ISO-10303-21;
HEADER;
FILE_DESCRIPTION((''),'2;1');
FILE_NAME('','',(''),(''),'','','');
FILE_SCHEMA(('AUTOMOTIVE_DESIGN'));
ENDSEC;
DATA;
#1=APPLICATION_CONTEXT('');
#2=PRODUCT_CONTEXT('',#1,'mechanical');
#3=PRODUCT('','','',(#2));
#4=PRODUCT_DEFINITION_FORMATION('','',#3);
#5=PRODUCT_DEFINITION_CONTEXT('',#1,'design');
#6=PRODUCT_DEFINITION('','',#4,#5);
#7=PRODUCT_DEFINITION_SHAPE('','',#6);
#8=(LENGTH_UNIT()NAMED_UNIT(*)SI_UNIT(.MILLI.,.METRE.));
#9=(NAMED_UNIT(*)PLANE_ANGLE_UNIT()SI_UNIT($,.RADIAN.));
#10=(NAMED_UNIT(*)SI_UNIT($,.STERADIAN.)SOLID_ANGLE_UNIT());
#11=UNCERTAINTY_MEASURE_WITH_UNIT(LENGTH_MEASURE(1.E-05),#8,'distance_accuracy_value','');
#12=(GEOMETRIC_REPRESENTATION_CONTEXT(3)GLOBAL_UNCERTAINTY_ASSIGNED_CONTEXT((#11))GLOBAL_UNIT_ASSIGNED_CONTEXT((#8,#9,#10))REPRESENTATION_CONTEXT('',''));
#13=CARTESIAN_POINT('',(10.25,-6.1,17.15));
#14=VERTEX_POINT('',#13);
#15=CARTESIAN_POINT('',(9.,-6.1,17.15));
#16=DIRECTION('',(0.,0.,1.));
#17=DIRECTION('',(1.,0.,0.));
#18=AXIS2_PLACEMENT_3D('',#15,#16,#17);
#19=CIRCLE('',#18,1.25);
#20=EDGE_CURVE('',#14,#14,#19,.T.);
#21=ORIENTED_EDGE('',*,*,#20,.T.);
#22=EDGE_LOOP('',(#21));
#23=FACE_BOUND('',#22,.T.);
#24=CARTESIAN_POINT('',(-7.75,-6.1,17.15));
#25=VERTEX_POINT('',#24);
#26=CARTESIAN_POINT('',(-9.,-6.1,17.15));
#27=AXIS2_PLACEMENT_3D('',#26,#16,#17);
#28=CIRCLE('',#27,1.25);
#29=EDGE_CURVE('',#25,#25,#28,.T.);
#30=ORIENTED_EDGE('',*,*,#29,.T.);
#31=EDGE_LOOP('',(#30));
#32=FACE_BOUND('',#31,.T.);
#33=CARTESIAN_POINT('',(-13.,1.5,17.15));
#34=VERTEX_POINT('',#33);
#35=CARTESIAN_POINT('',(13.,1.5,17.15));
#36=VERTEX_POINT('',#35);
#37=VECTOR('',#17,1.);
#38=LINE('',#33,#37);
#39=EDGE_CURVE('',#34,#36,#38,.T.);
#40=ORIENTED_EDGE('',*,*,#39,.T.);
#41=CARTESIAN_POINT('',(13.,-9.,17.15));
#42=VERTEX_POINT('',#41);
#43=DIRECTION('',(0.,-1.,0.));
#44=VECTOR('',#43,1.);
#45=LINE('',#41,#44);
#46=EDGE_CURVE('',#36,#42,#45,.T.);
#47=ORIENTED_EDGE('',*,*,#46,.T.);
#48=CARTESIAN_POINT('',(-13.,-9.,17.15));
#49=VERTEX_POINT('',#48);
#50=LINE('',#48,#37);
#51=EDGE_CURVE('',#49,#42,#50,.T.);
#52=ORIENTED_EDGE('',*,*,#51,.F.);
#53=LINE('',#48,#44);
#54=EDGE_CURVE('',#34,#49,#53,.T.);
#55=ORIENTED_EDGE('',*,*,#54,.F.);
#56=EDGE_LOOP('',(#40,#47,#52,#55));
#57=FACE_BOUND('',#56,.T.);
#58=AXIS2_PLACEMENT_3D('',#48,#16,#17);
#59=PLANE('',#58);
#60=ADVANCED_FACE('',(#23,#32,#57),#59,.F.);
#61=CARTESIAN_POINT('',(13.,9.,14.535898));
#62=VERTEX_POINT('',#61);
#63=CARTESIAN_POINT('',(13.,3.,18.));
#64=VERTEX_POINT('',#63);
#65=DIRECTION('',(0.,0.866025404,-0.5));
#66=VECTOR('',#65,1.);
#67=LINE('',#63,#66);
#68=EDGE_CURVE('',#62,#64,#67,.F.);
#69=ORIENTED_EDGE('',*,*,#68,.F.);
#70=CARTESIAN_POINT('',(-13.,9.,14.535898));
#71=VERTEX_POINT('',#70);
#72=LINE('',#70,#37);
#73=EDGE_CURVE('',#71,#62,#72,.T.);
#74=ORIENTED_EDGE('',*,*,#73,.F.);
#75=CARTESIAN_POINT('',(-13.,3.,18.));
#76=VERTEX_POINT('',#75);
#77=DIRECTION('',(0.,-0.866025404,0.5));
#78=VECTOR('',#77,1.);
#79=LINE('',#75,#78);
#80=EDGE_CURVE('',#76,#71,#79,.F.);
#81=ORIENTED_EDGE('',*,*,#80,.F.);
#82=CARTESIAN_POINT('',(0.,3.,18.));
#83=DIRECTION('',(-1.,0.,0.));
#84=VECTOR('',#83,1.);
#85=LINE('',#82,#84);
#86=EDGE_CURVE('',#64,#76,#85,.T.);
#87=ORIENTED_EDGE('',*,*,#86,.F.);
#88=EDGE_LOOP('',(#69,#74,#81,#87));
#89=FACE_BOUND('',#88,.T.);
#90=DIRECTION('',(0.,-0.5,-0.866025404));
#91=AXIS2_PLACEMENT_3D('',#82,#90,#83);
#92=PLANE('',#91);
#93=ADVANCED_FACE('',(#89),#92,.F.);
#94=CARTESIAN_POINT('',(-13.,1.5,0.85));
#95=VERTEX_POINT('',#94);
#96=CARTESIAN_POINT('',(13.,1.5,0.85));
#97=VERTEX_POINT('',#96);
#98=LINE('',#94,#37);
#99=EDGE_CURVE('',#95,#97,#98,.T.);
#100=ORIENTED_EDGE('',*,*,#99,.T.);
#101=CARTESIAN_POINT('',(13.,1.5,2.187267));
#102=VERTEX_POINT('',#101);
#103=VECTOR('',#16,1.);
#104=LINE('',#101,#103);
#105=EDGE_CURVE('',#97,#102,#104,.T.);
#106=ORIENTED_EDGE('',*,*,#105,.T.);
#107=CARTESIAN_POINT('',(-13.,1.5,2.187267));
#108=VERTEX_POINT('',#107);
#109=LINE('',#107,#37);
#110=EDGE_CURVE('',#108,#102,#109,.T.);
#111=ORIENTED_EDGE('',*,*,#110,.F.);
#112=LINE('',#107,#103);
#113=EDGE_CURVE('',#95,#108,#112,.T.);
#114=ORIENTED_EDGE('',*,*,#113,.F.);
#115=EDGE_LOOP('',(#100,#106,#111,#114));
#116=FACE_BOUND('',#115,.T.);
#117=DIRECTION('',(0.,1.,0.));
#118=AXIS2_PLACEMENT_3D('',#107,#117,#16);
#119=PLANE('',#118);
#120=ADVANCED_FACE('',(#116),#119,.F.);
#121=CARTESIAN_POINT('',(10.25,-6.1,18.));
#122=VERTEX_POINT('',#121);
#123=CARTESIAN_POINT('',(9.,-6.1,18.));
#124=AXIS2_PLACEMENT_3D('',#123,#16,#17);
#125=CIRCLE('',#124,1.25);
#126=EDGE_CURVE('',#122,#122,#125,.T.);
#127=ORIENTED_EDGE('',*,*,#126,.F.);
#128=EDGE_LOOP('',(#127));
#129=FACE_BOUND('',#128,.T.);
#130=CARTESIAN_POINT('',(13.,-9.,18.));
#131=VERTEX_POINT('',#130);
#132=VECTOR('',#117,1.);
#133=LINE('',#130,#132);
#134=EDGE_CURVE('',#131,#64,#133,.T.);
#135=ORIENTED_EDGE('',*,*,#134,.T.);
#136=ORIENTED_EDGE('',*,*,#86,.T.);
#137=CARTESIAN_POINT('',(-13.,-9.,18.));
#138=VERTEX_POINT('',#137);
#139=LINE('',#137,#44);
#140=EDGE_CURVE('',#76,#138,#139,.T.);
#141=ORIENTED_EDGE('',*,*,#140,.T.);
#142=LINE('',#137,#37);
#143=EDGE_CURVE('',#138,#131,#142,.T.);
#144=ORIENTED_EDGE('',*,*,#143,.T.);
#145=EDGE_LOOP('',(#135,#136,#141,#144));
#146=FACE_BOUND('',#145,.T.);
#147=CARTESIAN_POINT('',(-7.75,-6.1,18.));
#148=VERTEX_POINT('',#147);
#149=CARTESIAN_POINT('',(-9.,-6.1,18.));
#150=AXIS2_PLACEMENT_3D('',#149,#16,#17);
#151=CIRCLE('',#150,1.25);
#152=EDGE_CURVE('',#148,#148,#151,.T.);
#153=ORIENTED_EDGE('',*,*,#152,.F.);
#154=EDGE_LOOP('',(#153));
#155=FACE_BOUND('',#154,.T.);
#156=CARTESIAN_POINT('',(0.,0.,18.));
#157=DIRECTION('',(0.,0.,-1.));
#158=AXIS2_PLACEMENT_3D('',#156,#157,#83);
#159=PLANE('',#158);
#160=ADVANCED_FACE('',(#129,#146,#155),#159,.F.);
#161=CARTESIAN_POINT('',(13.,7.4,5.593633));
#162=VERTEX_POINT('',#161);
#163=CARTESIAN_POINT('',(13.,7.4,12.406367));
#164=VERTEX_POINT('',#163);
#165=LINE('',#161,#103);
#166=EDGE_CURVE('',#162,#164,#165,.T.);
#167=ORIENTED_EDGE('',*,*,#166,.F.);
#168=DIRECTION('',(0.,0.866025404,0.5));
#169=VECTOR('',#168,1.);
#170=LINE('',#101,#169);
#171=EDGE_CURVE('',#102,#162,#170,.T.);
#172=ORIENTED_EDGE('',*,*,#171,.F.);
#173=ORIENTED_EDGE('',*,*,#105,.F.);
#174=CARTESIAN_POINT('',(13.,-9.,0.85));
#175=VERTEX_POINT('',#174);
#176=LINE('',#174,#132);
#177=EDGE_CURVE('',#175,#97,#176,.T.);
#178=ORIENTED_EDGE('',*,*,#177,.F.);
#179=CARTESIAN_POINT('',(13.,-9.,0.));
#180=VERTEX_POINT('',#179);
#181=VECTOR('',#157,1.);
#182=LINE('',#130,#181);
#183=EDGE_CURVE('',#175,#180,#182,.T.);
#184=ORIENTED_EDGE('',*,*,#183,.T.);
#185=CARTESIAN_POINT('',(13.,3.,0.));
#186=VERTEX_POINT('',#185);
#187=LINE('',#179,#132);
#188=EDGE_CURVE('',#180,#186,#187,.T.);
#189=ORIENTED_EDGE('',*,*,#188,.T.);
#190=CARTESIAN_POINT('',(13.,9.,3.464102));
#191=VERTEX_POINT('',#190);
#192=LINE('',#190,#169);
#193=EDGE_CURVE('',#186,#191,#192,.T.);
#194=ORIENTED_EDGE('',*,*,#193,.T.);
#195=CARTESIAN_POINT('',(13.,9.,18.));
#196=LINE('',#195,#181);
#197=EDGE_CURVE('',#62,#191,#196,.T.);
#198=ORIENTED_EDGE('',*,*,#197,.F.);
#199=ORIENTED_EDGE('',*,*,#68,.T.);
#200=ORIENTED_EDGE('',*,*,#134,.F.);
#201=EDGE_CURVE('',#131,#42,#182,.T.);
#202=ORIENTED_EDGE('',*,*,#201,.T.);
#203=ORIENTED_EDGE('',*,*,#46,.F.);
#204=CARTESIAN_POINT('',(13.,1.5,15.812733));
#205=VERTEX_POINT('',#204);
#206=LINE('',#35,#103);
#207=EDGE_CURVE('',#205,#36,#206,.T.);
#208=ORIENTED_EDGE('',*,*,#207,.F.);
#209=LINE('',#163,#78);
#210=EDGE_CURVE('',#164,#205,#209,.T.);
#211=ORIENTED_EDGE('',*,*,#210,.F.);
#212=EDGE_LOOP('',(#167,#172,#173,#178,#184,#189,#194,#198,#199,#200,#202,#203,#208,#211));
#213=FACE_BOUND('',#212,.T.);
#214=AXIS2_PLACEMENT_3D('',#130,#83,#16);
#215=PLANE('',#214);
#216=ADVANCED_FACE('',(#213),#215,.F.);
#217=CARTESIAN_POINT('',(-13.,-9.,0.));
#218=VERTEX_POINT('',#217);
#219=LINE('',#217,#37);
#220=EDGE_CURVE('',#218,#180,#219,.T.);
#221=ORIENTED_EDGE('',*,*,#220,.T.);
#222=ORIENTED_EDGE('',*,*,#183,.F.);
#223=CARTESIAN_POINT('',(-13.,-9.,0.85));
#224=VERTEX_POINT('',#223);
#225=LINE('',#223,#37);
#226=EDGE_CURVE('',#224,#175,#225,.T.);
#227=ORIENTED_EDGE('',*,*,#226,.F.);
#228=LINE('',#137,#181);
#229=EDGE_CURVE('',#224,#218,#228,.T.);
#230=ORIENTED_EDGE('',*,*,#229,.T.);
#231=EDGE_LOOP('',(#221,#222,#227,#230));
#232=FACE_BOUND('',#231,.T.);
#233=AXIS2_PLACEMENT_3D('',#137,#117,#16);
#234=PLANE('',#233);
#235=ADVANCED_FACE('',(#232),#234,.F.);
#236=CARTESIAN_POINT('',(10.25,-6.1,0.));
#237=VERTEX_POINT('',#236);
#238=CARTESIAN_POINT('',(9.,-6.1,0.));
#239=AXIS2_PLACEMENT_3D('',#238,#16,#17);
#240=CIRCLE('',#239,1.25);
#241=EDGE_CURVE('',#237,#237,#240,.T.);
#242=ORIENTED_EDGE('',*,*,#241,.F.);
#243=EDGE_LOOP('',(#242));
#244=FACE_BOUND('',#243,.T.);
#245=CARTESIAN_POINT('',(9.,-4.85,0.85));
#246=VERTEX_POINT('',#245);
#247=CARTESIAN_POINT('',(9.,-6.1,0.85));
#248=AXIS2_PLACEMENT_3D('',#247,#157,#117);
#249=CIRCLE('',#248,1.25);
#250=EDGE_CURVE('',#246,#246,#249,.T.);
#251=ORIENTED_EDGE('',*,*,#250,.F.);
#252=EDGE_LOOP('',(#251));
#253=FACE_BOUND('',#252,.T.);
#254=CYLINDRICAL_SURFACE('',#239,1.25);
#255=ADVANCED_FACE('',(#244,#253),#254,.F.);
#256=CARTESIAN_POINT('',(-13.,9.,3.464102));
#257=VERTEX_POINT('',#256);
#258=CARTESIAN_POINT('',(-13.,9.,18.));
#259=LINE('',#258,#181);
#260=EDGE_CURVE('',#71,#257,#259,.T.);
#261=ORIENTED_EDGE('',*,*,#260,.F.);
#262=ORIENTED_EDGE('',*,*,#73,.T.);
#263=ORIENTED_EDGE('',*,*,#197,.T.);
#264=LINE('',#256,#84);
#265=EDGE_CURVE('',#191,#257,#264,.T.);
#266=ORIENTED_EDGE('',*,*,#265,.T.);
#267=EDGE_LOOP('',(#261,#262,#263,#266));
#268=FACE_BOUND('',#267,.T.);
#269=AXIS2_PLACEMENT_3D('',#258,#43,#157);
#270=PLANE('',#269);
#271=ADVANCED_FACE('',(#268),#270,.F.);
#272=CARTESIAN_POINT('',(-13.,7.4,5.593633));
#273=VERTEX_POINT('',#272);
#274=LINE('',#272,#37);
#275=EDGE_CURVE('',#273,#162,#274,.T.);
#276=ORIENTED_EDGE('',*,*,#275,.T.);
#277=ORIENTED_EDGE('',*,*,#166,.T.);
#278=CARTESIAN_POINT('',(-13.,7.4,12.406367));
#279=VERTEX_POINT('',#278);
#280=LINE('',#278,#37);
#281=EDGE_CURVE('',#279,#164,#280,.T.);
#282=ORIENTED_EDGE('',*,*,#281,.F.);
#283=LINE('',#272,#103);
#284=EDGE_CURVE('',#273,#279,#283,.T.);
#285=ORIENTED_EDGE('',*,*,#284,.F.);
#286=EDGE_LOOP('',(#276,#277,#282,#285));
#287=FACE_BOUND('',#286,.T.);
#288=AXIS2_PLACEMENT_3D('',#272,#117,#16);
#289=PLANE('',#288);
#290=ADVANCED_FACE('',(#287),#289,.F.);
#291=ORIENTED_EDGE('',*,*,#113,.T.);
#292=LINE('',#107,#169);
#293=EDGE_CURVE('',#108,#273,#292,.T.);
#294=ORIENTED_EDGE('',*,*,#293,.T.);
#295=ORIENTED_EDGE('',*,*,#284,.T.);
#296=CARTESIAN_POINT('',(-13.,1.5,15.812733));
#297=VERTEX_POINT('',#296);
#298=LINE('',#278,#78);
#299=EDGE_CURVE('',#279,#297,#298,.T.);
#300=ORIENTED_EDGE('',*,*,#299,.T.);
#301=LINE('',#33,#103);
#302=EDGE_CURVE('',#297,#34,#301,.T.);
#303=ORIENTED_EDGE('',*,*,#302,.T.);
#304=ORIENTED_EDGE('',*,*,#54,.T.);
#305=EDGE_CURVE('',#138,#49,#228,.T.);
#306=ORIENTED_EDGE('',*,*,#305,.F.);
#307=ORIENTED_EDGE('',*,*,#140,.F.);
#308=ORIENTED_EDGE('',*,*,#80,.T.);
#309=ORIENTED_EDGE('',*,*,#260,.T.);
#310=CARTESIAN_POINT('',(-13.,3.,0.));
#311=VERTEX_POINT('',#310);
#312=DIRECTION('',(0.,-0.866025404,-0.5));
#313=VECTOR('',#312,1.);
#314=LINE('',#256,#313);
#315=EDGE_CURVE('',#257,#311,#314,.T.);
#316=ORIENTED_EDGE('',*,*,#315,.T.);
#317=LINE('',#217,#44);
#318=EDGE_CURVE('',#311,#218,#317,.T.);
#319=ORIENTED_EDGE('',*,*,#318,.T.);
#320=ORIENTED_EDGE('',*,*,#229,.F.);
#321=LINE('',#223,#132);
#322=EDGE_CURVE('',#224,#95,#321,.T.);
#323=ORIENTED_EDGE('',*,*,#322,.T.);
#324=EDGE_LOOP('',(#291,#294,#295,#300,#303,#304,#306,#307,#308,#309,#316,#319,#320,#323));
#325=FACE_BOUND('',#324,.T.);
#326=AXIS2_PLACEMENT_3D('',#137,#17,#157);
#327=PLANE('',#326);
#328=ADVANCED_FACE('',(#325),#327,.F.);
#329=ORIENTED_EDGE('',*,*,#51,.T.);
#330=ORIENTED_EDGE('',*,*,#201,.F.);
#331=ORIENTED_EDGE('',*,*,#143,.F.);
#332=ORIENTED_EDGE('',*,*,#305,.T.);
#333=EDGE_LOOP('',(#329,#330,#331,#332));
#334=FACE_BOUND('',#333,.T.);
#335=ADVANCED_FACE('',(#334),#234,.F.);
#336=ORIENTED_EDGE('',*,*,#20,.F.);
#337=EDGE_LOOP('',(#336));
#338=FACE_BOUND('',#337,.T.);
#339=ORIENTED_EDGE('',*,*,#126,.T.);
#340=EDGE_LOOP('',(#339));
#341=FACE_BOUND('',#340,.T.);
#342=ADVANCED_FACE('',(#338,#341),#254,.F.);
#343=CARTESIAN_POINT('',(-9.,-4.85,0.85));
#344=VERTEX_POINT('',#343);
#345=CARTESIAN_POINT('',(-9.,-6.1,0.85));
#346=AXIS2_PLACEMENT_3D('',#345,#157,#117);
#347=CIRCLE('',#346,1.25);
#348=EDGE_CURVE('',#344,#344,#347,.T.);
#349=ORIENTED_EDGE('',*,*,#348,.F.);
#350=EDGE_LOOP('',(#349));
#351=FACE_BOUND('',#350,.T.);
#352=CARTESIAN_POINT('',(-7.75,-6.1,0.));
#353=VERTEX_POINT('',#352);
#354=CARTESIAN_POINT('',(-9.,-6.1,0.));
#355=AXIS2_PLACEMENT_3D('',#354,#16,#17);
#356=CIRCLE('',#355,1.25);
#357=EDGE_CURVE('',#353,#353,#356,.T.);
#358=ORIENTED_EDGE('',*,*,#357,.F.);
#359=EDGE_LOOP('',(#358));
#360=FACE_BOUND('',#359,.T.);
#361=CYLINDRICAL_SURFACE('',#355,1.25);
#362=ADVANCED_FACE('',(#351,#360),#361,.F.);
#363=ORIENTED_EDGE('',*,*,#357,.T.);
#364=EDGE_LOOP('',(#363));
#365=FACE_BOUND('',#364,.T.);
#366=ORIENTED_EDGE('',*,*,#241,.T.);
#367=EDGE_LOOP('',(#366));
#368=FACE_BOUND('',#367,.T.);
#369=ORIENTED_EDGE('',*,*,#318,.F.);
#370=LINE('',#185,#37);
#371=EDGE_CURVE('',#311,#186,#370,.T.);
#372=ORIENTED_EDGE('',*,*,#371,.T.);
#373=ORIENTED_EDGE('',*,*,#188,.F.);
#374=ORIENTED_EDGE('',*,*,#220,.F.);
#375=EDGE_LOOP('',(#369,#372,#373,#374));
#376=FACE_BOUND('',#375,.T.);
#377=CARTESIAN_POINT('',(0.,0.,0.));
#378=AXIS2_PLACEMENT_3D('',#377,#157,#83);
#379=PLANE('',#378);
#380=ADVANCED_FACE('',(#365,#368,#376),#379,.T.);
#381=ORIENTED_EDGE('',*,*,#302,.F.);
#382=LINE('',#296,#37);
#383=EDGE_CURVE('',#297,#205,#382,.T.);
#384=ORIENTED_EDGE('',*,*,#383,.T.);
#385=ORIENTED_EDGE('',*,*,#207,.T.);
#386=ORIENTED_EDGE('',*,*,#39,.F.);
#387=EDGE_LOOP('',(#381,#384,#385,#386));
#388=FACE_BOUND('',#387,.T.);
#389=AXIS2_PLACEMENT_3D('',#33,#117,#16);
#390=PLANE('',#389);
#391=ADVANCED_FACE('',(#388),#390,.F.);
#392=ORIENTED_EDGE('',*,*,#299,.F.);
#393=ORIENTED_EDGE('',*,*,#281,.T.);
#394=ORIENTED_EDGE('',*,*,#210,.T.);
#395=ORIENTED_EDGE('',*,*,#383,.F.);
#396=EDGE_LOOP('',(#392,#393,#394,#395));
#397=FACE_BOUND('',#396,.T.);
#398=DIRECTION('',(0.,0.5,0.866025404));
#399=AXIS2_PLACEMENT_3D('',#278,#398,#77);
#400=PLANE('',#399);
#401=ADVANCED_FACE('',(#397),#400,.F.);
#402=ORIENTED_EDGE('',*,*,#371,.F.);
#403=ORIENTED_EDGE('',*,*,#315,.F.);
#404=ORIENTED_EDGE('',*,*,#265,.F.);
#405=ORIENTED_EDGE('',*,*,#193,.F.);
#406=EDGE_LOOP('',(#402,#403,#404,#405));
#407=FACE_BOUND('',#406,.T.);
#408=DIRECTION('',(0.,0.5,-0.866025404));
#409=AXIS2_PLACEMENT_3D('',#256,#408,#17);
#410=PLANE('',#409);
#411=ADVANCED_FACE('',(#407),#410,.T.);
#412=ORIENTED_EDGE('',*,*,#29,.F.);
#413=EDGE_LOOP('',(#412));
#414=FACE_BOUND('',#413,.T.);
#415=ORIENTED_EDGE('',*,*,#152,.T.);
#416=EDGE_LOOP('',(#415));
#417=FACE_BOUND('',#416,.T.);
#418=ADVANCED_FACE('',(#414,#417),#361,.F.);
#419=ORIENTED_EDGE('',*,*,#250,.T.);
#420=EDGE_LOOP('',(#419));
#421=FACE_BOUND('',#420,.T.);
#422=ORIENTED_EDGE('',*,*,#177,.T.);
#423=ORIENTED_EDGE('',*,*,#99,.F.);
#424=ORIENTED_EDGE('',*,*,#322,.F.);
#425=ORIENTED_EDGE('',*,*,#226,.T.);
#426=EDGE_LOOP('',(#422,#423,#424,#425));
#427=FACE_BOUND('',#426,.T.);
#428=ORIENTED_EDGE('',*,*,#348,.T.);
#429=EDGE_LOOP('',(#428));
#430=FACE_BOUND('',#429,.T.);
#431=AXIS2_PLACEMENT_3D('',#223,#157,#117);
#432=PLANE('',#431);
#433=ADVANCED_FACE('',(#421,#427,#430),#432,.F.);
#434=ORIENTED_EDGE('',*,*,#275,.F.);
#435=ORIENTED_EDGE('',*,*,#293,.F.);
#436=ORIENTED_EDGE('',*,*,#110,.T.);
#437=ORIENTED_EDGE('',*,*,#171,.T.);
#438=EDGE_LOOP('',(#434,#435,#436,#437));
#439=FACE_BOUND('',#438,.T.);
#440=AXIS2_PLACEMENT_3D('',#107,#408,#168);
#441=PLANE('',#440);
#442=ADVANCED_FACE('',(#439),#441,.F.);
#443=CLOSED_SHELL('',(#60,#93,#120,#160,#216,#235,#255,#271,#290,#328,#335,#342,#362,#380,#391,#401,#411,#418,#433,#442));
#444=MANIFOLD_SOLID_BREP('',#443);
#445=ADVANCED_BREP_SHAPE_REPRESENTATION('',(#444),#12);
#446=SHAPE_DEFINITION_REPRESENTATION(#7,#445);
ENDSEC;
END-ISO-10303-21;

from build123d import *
from OCP.BRepFilletAPI import BRepFilletAPI_MakeChamfer

# Parameters (mm, degrees)
ESBO_O1_W                = 26
ESBO_O1_H                = 18
RESSALTO_EXTRUS_O1_DEPTH = 18
CORTE_EXTRUS_O1_DEPTH    = 33.878564446
ESBO_O3_R                = 1.25
CORTE_EXTRUS_O2_DEPTH    = 24.958297101
CHANFRO1_SIZE            = 6
CHANFRO1_SIZE2           = 3.464101615


with BuildPart() as part:
    # Esboço1 → Ressalto-extrusão1 (new body)
    with BuildSketch(Plane.XY):
        Rectangle(ESBO_O1_W, ESBO_O1_H)
    extrude(amount=RESSALTO_EXTRUS_O1_DEPTH)

    # Esboço2 → Corte-extrusão1 (cut, through all)
    with BuildSketch(Plane(origin=(13, 0, 0), x_dir=(0, 0, -1), z_dir=(1, 0, 0))):
        Polygon((-17.15, -9), (-0.85, -9), (-0.85, 1.5), (-2.187266824, 1.5), (-5.593633412, 7.4), (-12.406366588, 7.4), (-15.812733176, 1.5), (-17.15, 1.5), align=None)
    extrude(amount=-CORTE_EXTRUS_O1_DEPTH, mode=Mode.SUBTRACT)

    # Esboço3 → Corte-extrusão2 (cut, through all)
    with BuildSketch(Plane.XY.offset(18)):
        with Locations((-9, -6.1)):
            Circle(ESBO_O3_R)
        with Locations((9, -6.1)):
            Circle(ESBO_O3_R)
    extrude(amount=-CORTE_EXTRUS_O2_DEPTH, mode=Mode.SUBTRACT)

    # Chanfro1: one chamfer whose edges measure the first distance from different faces: ONE call of the kernel's chamfer builder (chamfer() names one face for all edges)
    chanfro1_edges_1 = [part.edges().sort_by_distance(p)[0] for p in [
        (0, 9, 0),
    ]]
    chanfro1_side_1 = [part.faces().sort_by_distance(p)[0] for p in [
        (0, 0.130704702, 0),
    ]]
    chanfro1_edges_2 = [part.edges().sort_by_distance(p)[0] for p in [
        (0, 9, 18),
    ]]
    chanfro1_side_2 = [part.faces().sort_by_distance(p)[0] for p in [
        (0, 0.130704702, 18),
    ]]
    chanfro1 = BRepFilletAPI_MakeChamfer(part.part.solid().wrapped)
    for e in chanfro1_edges_1:
        chanfro1.Add(CHANFRO1_SIZE, CHANFRO1_SIZE2, e.wrapped, chanfro1_side_1[0].wrapped)  # the first distance lies on this face
    for e in chanfro1_edges_2:
        chanfro1.Add(CHANFRO1_SIZE, CHANFRO1_SIZE2, e.wrapped, chanfro1_side_2[0].wrapped)  # the first distance lies on this face
    add(Compound.cast(chanfro1.Shape()), mode=Mode.REPLACE)


solid = part.part
